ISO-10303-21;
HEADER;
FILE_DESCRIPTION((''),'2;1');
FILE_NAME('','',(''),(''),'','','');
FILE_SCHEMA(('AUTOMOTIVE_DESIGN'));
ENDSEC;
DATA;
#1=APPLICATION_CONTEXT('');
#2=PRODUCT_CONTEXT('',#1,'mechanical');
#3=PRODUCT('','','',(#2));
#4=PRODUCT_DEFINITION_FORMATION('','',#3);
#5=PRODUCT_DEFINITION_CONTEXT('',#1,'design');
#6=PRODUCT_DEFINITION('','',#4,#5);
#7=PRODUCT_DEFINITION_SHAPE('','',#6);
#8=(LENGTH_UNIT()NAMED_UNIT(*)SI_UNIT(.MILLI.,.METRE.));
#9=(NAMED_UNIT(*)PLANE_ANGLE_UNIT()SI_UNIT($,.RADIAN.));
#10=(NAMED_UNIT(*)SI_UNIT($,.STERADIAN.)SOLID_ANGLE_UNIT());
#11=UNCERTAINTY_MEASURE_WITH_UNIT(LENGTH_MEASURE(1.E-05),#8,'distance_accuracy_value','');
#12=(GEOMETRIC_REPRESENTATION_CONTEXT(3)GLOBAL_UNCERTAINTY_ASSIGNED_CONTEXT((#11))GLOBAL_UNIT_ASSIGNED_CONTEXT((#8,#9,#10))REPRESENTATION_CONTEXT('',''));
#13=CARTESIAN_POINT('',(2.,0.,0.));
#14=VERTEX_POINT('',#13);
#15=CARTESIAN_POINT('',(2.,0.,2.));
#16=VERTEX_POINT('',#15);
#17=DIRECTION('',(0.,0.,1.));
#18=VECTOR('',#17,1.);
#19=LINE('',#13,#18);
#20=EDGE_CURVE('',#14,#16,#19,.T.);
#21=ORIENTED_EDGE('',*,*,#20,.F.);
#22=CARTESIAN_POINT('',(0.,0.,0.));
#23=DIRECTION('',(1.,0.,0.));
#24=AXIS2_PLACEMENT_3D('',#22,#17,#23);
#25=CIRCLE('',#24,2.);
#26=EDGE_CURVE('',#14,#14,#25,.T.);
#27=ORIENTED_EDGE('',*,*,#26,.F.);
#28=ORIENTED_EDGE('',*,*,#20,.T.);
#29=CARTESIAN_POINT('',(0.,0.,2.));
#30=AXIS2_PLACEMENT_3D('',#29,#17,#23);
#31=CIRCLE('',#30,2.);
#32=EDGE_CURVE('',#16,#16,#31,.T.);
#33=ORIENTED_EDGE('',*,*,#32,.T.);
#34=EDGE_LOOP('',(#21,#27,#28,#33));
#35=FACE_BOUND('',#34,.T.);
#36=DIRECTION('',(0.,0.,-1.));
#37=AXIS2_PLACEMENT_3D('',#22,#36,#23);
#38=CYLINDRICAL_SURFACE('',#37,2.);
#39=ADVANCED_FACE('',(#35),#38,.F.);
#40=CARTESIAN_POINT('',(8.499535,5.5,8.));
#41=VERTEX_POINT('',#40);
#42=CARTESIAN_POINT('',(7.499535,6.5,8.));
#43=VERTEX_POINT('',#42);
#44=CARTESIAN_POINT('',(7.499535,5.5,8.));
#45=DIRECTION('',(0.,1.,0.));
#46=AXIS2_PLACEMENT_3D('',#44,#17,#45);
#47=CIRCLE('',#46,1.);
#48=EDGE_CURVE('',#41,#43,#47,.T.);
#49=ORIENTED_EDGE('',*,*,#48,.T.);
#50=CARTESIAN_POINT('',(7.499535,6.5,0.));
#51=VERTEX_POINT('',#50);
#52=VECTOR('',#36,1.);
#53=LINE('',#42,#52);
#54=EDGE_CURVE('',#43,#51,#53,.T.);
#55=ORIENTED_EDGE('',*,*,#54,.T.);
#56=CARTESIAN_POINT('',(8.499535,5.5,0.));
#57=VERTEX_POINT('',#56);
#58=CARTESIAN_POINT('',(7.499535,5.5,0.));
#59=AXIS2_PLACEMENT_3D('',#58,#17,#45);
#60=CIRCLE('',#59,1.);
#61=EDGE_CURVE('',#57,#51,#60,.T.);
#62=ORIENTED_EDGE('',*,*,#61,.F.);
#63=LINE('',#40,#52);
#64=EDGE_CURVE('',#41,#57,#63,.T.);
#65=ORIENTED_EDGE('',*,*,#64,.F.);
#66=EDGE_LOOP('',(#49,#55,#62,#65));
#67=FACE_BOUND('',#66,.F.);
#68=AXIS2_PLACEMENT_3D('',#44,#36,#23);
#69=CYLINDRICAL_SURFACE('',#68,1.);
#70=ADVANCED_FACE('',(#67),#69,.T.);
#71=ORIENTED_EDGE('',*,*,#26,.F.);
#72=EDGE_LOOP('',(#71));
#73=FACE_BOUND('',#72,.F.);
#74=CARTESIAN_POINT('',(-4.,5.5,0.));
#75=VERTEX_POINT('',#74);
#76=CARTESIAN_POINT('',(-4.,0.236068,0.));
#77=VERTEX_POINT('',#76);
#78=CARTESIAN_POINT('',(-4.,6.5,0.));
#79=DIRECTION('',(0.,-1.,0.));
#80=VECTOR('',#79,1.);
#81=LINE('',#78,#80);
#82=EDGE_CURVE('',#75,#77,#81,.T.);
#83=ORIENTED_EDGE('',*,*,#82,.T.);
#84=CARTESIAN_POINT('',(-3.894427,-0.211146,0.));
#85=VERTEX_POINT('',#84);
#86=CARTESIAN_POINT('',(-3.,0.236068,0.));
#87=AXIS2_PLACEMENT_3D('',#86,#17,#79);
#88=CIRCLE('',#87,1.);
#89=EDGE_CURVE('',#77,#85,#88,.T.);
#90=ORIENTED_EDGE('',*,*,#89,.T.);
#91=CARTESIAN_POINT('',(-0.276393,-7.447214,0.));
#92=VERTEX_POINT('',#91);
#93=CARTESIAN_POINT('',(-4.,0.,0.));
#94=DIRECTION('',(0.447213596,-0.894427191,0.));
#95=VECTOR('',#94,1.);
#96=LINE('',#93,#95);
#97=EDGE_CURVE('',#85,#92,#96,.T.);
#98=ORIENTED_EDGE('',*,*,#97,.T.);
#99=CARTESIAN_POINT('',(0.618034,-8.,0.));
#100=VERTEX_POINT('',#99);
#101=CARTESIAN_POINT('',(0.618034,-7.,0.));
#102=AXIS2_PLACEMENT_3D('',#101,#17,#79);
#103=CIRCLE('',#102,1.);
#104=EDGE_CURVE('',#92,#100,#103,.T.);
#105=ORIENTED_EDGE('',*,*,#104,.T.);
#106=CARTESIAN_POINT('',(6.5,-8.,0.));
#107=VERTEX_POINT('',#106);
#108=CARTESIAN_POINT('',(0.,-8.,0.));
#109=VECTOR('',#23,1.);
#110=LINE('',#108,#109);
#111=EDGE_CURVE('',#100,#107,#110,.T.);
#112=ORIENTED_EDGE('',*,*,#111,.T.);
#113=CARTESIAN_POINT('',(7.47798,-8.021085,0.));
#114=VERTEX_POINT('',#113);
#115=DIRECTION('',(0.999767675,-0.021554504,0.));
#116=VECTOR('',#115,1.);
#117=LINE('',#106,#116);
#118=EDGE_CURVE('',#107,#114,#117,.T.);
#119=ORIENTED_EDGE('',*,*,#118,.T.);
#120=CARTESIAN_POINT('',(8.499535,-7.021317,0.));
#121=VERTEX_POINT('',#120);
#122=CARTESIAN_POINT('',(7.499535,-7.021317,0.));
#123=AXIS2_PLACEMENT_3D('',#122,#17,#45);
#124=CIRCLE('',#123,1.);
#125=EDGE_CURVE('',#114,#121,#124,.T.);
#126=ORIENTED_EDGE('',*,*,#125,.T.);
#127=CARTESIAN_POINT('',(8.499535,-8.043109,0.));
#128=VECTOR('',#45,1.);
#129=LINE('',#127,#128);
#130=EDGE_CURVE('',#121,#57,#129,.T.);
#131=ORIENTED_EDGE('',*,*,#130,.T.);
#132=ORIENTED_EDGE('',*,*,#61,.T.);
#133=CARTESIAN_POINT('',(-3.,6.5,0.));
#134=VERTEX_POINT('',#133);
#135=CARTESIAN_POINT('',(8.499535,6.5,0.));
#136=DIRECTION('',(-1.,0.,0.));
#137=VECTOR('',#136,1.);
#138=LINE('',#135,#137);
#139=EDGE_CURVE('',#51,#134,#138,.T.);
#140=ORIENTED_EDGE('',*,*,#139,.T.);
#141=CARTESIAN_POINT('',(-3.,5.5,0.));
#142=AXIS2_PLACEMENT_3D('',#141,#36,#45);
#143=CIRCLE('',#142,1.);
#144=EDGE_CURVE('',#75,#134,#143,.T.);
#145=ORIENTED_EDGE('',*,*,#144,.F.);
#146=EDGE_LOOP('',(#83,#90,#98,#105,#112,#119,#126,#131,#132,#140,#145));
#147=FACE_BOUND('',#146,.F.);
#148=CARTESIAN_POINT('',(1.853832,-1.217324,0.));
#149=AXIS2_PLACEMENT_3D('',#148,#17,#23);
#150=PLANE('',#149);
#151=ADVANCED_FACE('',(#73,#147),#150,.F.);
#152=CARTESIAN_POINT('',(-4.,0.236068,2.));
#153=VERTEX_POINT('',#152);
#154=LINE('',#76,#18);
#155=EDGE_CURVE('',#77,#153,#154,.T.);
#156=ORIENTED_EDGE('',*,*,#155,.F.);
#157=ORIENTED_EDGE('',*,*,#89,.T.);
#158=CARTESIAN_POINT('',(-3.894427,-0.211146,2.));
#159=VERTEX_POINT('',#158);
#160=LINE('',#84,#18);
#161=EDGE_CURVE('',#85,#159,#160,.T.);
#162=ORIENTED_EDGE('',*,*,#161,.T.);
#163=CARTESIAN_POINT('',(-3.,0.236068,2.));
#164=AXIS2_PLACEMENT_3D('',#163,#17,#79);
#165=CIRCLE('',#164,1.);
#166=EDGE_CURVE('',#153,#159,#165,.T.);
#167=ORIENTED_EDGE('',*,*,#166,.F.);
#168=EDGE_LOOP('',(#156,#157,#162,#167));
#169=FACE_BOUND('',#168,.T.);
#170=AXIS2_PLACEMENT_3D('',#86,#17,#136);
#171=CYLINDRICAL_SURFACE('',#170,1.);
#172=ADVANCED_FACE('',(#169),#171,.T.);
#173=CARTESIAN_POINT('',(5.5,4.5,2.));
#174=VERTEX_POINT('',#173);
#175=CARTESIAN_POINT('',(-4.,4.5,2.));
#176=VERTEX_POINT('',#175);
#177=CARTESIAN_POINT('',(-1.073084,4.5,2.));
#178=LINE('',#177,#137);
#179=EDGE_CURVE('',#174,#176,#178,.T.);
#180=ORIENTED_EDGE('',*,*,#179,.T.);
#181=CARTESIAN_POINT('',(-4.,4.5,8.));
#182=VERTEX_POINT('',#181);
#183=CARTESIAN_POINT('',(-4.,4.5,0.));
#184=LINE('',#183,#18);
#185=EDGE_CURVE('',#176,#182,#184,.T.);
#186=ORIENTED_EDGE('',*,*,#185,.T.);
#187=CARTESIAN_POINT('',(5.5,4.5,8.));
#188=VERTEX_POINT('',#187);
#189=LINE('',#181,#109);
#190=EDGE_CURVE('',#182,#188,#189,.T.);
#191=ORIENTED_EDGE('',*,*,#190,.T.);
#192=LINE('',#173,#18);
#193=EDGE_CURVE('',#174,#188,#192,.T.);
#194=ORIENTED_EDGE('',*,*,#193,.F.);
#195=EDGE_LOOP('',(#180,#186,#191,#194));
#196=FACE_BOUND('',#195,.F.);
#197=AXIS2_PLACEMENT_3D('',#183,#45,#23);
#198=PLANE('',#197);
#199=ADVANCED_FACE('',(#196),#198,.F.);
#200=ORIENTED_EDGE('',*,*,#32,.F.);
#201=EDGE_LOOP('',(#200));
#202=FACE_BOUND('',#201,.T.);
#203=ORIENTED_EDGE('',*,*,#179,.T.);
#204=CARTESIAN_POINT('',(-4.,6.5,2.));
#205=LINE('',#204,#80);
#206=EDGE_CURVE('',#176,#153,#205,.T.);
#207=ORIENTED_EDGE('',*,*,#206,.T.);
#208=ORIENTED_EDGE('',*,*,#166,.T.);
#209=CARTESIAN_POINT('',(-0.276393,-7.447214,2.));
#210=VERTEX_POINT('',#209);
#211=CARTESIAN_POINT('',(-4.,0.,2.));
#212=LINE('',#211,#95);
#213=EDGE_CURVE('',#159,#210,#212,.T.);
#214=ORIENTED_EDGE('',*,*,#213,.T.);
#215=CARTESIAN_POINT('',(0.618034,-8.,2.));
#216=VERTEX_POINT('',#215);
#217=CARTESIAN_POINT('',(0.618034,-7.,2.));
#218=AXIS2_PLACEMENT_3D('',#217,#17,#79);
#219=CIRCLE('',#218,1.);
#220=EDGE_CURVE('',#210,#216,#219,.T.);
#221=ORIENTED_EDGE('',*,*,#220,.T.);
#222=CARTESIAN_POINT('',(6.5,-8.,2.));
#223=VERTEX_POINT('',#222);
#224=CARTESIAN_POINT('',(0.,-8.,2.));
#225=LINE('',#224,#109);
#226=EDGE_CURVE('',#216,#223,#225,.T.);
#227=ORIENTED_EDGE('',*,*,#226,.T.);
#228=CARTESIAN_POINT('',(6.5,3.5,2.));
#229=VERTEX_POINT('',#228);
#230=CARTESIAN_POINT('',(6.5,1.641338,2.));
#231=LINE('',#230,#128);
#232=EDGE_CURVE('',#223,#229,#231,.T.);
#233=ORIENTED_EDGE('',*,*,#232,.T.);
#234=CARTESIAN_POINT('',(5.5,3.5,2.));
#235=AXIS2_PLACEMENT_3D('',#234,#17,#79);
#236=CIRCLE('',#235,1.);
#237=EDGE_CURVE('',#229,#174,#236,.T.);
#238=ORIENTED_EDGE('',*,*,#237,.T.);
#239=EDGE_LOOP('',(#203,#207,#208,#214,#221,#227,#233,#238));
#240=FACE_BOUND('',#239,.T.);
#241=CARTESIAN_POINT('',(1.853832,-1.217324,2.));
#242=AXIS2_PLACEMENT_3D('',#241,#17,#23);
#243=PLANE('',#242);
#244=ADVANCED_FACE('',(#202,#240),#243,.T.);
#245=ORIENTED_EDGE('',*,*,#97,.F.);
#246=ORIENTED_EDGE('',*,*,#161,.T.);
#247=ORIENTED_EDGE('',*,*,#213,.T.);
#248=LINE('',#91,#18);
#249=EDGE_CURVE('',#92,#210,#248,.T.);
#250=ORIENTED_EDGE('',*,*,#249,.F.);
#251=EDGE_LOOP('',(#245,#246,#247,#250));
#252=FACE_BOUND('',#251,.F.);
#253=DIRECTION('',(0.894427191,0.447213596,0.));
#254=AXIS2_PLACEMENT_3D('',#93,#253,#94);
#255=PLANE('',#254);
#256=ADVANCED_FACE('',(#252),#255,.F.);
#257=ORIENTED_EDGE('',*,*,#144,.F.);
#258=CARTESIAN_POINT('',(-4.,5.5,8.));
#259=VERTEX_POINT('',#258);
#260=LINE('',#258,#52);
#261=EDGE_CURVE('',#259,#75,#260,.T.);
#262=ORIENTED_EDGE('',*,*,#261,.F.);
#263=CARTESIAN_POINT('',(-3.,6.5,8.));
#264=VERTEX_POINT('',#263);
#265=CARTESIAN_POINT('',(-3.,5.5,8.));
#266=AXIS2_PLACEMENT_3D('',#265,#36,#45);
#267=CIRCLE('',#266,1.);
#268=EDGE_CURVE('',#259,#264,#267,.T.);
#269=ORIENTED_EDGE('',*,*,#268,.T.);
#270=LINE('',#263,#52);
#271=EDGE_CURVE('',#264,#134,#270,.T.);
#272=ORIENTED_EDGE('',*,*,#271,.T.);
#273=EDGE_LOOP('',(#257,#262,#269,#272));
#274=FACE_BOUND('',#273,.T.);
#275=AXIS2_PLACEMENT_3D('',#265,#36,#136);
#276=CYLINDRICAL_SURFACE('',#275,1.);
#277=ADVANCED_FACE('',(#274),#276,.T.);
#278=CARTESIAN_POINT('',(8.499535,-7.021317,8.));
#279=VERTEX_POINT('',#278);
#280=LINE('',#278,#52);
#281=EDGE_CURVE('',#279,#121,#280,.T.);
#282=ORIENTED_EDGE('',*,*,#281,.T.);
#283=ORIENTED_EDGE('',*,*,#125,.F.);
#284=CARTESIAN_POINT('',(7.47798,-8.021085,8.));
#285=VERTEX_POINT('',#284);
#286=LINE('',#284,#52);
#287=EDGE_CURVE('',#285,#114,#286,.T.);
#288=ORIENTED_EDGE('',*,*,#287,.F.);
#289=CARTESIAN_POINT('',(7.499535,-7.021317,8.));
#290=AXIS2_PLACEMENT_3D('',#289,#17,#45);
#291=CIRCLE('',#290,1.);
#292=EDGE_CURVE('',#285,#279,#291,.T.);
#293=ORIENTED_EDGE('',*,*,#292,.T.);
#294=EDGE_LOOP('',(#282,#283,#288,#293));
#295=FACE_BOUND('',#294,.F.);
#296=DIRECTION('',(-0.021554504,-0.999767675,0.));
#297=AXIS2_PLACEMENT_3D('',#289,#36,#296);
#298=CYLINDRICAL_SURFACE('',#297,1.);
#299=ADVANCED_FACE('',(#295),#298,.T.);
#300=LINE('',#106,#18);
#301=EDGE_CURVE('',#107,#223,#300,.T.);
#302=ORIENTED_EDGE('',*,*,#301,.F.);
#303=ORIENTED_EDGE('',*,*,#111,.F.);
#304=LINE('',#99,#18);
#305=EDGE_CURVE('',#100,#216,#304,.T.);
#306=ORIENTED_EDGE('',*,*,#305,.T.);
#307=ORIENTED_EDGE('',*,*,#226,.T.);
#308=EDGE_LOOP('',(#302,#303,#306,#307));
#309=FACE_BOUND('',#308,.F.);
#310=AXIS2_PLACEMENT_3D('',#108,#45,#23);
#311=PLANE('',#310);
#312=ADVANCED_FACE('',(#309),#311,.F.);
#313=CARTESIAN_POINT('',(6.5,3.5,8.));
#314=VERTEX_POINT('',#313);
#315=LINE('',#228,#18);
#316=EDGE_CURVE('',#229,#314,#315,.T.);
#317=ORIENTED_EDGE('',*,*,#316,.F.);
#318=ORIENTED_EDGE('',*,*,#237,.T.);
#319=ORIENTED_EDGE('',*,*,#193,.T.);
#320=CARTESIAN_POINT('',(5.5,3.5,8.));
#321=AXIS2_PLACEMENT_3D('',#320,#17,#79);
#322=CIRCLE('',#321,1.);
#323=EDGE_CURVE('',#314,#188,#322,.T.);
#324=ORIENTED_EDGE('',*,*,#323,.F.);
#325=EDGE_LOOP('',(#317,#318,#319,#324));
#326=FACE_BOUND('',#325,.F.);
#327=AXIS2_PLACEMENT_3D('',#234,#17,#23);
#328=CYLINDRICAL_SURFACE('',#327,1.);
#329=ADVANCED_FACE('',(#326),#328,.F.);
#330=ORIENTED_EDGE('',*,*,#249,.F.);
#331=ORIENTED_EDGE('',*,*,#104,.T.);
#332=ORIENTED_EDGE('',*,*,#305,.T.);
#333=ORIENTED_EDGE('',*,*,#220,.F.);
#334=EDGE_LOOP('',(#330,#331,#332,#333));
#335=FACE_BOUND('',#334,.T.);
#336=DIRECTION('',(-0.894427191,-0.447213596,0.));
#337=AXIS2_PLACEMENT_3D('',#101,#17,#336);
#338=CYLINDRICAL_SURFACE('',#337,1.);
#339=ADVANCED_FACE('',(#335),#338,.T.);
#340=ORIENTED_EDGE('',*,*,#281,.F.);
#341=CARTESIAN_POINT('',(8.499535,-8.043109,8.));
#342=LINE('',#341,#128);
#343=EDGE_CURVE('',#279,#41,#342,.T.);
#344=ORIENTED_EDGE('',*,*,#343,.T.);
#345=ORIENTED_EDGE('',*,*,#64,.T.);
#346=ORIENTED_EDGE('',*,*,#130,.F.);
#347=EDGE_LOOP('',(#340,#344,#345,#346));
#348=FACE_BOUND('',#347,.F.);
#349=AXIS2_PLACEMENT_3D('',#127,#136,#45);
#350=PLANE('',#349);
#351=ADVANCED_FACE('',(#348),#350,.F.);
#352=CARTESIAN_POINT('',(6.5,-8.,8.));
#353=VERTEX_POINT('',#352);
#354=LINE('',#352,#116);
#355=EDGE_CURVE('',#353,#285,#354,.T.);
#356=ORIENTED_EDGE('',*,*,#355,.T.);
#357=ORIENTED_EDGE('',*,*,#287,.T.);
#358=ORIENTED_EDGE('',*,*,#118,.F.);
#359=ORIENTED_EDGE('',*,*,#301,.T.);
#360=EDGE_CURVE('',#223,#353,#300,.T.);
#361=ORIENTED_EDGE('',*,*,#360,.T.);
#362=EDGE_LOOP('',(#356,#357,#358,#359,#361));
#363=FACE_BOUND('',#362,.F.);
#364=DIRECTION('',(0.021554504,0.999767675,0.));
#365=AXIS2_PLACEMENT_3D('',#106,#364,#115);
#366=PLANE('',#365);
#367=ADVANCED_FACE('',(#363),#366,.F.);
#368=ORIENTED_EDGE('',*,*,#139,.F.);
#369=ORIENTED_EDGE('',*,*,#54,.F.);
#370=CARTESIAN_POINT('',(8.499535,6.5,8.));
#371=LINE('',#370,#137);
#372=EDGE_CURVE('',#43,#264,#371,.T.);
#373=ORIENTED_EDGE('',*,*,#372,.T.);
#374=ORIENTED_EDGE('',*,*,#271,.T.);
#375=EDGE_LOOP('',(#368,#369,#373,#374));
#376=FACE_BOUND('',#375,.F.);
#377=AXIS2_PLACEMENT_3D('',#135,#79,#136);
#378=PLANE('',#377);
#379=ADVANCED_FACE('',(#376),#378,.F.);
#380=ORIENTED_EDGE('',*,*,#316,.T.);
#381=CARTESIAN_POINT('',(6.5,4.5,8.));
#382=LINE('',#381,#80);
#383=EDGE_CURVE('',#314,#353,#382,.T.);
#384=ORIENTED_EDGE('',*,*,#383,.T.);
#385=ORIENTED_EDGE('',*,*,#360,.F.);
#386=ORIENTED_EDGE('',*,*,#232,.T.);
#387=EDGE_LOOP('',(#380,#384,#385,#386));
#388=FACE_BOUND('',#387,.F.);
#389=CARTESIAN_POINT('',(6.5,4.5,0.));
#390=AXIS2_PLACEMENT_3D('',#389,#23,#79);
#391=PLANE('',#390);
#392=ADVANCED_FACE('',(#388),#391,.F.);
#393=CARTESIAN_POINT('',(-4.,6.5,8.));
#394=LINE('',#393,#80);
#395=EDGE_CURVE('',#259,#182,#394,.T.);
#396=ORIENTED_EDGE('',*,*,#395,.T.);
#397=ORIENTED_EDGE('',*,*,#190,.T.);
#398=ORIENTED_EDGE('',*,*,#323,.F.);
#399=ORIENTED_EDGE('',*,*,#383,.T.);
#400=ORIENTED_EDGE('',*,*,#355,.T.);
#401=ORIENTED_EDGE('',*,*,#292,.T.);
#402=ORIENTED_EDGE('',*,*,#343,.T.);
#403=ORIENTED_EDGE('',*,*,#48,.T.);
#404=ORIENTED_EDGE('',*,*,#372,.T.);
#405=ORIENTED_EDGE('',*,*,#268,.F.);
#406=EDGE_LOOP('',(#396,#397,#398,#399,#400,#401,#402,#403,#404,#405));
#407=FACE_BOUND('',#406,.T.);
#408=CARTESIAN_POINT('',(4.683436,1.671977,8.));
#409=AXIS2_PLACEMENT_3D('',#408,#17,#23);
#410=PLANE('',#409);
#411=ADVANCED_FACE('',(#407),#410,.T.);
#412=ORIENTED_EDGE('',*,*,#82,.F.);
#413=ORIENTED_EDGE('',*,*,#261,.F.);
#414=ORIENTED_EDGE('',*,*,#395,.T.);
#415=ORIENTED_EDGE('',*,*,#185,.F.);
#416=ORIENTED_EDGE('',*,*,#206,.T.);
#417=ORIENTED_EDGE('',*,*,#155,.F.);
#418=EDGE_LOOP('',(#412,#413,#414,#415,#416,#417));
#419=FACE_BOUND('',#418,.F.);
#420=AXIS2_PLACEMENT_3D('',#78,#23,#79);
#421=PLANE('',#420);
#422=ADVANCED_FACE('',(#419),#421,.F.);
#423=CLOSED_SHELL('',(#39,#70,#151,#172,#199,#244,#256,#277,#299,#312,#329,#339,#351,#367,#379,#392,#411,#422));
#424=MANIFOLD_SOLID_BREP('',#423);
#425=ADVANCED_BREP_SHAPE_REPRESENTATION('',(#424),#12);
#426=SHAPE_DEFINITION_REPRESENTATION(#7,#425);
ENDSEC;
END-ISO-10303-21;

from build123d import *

# Parameters (mm, degrees)
F0_R     = 2
F1_DEPTH = 2
F2_DEPTH = 8
F3_R     = 1


with BuildPart() as f1:
    # F0 (on Top) → F1 (new body)
    with BuildSketch(Plane.XY):
        Polygon((-4, 4.5), (-4, 0), (0, -8), (6.5, -8), (6.5, 4.5), align=None)
        Circle(F0_R, mode=Mode.SUBTRACT)
        Polygon((-4, 6.5), (-4, 4.5), (6.5, 4.5), (6.5, -8), (8.499535, -8.043109), (8.499535, 6.5), align=None)
    extrude(amount=F1_DEPTH)

    # F0 (on Top) → F2 (join)
    with BuildSketch(Plane.XY):
        Polygon((-4, 6.5), (-4, 4.5), (6.5, 4.5), (6.5, -8), (8.499535, -8.043109), (8.499535, 6.5), align=None)
    extrude(amount=F2_DEPTH)

    # F3
    f3_edges = [f1.edges().sort_by_distance(p)[0] for p in [
        (6.5, 4.5, 5),
        (8.499535, 6.5, 4),
        (-4, 6.5, 4),
        (-4, 0, 1),
        (0, -8, 1),
        (8.499535, -8.043109, 4),
    ]]
    fillet(f3_edges, radius=F3_R)


solid = f1.part
